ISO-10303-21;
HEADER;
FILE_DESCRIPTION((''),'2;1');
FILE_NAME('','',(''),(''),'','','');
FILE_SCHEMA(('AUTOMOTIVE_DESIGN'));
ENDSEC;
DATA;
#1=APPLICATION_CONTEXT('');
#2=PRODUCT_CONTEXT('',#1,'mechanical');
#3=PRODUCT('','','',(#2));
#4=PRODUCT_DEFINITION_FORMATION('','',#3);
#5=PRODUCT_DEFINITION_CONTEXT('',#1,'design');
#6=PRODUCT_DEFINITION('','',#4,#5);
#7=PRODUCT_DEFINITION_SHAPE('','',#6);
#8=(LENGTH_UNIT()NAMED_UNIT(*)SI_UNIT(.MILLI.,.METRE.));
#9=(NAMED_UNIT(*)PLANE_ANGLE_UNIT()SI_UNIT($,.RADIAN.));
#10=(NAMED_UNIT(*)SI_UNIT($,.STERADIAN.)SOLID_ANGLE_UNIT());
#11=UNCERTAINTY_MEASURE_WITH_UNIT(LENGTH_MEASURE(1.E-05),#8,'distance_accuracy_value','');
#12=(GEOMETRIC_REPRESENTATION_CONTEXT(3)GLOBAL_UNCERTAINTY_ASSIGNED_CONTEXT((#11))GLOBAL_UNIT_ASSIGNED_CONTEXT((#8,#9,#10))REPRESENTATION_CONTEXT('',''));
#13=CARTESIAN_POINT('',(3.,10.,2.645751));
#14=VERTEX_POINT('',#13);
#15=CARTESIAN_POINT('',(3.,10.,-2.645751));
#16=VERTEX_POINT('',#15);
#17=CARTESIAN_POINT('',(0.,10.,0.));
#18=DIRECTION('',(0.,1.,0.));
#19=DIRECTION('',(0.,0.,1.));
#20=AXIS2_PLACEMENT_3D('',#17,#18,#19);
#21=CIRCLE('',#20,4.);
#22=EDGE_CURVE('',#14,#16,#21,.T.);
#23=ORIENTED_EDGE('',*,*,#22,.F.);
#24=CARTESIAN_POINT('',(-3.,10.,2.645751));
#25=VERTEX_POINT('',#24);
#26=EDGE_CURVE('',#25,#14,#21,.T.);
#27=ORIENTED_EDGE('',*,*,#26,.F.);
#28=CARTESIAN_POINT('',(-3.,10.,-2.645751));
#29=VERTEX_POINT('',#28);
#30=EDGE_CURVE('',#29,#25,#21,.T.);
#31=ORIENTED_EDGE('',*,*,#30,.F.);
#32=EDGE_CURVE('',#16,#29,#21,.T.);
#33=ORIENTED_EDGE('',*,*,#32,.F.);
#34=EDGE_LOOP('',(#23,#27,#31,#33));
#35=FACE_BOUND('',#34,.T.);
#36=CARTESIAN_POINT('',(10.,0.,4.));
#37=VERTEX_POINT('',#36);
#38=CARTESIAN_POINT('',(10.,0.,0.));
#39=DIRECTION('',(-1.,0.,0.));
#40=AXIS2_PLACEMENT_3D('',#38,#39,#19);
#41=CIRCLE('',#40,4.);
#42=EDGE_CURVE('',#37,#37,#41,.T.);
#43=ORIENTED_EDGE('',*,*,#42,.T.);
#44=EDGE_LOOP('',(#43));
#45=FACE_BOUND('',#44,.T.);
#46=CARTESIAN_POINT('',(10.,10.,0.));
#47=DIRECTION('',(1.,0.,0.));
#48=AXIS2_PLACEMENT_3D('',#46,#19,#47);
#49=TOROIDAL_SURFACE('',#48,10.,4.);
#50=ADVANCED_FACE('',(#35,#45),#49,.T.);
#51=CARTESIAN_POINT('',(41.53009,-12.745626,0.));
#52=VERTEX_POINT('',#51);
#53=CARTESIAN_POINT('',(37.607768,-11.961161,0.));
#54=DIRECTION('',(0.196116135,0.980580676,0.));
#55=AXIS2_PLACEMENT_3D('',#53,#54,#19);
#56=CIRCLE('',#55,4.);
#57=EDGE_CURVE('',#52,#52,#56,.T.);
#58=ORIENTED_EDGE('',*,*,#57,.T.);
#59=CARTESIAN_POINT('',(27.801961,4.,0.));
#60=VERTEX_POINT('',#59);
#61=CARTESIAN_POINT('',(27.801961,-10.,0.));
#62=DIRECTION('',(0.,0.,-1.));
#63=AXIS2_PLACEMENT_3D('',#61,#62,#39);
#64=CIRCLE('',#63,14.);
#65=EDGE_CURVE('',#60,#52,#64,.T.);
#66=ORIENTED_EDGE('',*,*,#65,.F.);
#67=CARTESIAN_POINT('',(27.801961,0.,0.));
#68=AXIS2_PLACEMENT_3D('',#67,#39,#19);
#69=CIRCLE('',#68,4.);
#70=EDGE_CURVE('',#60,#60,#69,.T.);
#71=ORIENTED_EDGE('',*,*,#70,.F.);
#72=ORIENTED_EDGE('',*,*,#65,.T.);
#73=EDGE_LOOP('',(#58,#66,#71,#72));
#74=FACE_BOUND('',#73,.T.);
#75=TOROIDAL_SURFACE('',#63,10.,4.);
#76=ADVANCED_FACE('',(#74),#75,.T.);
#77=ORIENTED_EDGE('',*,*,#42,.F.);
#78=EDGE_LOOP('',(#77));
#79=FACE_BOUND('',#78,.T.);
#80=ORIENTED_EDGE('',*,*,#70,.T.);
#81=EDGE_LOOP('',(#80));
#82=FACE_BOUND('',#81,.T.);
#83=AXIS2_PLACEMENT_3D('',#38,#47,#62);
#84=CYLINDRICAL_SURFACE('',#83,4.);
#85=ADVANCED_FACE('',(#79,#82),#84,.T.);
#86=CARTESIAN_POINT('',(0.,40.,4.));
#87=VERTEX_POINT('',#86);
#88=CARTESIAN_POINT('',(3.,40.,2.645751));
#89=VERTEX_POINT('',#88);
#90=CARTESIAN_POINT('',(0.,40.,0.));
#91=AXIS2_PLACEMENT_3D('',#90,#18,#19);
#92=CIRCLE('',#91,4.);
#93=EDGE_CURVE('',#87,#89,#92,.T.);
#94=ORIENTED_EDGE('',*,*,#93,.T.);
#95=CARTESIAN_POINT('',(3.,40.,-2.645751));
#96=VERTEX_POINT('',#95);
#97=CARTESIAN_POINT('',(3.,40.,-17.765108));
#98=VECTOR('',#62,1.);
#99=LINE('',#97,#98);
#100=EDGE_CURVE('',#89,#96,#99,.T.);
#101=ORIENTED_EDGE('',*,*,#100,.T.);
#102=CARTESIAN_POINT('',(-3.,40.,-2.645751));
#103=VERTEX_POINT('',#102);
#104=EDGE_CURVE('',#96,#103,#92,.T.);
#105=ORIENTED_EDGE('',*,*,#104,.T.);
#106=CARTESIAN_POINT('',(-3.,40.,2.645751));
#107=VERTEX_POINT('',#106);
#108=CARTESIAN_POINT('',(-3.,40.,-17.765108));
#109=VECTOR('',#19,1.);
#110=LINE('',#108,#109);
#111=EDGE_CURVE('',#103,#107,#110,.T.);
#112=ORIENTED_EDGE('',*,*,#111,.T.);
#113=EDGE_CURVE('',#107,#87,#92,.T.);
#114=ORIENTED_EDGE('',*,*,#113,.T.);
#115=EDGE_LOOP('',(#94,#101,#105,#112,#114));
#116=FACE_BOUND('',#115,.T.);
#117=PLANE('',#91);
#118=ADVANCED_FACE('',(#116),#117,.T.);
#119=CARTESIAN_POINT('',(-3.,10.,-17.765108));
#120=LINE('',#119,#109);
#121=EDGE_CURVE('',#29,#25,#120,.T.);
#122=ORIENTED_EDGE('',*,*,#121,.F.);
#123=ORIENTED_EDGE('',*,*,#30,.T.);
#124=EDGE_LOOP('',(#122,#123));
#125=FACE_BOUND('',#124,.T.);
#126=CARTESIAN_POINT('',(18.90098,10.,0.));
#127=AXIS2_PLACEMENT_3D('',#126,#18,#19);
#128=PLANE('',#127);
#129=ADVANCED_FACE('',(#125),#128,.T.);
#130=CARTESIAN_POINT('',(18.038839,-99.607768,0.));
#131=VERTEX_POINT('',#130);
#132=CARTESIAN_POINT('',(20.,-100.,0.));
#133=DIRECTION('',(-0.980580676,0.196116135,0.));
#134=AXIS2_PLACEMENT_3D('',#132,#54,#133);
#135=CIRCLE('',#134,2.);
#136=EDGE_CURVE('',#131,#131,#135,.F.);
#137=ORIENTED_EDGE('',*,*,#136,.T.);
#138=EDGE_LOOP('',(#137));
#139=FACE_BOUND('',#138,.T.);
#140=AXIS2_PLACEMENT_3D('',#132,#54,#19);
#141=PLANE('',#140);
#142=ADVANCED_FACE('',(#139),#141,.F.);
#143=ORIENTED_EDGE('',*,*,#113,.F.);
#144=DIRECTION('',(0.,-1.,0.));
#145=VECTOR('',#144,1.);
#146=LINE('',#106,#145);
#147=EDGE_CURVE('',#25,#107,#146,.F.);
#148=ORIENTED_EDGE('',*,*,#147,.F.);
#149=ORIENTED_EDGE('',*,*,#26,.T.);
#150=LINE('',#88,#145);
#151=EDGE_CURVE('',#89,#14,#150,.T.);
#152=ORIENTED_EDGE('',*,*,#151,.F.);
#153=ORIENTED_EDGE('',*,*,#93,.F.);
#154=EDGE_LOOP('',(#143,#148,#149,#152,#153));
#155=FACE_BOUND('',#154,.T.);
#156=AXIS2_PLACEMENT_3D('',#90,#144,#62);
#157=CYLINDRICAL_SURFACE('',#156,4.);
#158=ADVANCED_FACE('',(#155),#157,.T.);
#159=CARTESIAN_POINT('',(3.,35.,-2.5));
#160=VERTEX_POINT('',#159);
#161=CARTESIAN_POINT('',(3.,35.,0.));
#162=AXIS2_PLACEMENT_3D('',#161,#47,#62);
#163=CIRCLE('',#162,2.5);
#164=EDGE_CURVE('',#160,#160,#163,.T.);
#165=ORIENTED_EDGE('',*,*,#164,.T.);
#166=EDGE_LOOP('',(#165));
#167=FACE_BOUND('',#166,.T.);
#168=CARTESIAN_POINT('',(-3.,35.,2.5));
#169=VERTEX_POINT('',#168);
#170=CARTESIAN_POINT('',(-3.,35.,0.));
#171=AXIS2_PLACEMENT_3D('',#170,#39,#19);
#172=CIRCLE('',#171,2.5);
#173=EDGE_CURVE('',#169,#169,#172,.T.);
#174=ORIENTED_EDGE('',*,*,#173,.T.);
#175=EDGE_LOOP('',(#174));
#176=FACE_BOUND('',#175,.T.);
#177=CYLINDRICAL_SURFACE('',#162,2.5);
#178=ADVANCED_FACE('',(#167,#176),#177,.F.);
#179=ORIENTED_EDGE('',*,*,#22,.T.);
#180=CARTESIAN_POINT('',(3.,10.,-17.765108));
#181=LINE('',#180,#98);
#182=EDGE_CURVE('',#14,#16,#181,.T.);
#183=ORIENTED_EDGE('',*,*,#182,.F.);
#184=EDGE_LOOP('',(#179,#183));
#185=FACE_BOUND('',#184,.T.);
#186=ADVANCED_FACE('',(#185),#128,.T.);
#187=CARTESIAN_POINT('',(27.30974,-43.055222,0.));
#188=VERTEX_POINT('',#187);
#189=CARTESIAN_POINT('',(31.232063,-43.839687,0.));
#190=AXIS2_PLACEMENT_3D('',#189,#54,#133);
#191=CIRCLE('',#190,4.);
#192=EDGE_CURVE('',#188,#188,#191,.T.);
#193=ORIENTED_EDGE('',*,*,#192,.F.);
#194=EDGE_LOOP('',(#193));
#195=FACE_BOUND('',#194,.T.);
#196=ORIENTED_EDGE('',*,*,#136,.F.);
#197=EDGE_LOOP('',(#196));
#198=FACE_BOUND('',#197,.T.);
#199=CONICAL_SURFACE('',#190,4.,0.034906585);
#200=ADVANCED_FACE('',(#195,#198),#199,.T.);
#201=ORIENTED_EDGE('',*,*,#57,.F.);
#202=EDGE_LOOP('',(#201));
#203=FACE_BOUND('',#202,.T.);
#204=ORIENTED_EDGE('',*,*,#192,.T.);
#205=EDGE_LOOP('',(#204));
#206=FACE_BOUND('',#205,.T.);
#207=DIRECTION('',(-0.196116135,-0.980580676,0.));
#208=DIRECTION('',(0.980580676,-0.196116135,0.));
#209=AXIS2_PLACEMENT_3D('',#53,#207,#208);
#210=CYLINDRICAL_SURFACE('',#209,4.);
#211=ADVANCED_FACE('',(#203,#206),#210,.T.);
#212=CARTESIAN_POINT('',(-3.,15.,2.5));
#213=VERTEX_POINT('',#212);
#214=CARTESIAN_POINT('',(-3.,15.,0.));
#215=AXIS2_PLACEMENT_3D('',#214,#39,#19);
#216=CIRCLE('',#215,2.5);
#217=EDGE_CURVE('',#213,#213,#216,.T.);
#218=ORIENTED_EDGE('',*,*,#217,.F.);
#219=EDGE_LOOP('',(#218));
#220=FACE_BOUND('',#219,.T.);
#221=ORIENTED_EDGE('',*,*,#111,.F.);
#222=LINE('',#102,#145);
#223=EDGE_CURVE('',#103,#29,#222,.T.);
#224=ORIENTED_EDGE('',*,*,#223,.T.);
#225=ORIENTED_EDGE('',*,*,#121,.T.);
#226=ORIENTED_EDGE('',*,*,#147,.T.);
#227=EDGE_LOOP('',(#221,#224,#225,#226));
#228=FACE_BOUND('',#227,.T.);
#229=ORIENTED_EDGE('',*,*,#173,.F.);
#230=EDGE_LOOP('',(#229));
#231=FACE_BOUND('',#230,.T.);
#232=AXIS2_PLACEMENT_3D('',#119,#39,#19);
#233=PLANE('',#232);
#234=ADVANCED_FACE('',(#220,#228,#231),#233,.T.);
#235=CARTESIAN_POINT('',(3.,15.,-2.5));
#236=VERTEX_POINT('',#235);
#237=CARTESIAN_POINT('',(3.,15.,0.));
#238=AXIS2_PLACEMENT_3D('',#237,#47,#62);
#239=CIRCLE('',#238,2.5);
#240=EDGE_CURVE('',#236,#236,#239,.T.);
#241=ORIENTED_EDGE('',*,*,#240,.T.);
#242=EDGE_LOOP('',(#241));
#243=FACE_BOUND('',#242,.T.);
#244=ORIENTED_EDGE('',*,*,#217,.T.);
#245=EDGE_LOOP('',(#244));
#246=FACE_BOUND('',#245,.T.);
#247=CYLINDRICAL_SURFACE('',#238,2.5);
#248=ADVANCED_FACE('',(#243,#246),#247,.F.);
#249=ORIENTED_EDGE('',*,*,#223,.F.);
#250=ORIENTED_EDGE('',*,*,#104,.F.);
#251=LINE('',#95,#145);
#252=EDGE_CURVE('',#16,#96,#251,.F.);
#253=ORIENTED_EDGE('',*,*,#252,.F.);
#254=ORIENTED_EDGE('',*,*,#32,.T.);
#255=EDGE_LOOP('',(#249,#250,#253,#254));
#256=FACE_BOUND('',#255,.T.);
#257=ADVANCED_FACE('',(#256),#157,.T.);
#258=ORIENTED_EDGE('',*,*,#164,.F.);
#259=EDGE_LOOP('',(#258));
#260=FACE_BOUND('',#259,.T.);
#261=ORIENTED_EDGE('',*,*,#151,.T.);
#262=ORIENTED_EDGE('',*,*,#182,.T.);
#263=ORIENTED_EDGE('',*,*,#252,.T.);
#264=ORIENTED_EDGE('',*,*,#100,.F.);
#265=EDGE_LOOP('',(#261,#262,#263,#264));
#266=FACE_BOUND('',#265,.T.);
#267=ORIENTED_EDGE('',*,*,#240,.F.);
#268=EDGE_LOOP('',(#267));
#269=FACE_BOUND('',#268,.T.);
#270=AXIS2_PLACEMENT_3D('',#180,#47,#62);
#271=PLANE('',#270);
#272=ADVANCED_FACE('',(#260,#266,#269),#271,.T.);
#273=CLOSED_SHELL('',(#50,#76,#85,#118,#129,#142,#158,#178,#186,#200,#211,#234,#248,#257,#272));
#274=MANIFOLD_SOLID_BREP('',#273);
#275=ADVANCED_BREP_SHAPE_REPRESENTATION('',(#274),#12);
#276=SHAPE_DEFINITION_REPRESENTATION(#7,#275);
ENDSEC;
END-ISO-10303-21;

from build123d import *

# Parameters (mm, degrees)
SKETCH3_R             = 4
CHAMFER1_SIZE         = 2
CHAMFER1_SIZE2        = 57.272506566
SKETCH4_OUTSIDE_W     = 77.38
SKETCH4_OUTSIDE_H     = 39.578
SKETCH4_OUTSIDE_W_2   = 6
SKETCH4_OUTSIDE_H_2   = 35.530215116
EXTRUDE1_DEPTH        = 30
M6_TAPPED_HOLE1_D     = 5
M6_TAPPED_HOLE1_DEPTH = 9
M6_TAPPED_HOLE1_TIP   = 1.502151548


with BuildPart() as part:
    # Sweep1: sweep along a path in Sketch1
    with BuildLine(Plane.XY) as sweep1_path:
        Line((0, 40), (0, 10))
        ThreePointArc((0, 10), (2.928932188, 2.928932188), (10, 0))
        Line((10, 0), (27.801960973, 0))
        ThreePointArc((27.801960973, 0), (35.535382386, -3.660110944), (37.60776773, -11.961161351))
        Line((37.60776773, -11.961161351), (20, -100))
    # Sketch3 → Sweep1 (sweep)
    with BuildSketch(Plane(origin=(0, 40, 0), x_dir=(1, 0, 0), z_dir=(0, 1, 0))):
        Circle(SKETCH3_R)
    sweep(path=sweep1_path.line)

    # Chamfer1
    chamfer1_edges = [part.edges().sort_by_distance(p)[0] for p in [
        (16.077677297, -99.215535459, 0),
    ]]
    chamfer1_side = [part.faces().sort_by_distance(p)[0] for p in [
        (20, -100, 0),
    ]]
    chamfer(chamfer1_edges, length=CHAMFER1_SIZE, length2=CHAMFER1_SIZE2, reference=chamfer1_side[0])

    # Sketch4 outside → Extrude1 (cut)
    with BuildSketch(Plane(origin=(0, 40, 0), x_dir=(1, 0, 0), z_dir=(0, 1, 0))):
        with Locations((18.901, 0)):
            Rectangle(SKETCH4_OUTSIDE_W, SKETCH4_OUTSIDE_H)
        Rectangle(SKETCH4_OUTSIDE_W_2, SKETCH4_OUTSIDE_H_2, mode=Mode.SUBTRACT)
    extrude(amount=-EXTRUDE1_DEPTH, mode=Mode.SUBTRACT)

    # M6 Tapped Hole1
    with Locations(Plane(origin=(3, 0, 0), x_dir=(0, 0, -1), z_dir=(1, 0, 0))):
        with Locations((0, 35), (0, 15)):
            Hole(M6_TAPPED_HOLE1_D / 2, depth=M6_TAPPED_HOLE1_DEPTH)
            with Locations((0, 0, -(M6_TAPPED_HOLE1_DEPTH + M6_TAPPED_HOLE1_TIP / 2))):  # 118° drill point
                Cone(0, M6_TAPPED_HOLE1_D / 2, M6_TAPPED_HOLE1_TIP, mode=Mode.SUBTRACT)


solid = part.part
